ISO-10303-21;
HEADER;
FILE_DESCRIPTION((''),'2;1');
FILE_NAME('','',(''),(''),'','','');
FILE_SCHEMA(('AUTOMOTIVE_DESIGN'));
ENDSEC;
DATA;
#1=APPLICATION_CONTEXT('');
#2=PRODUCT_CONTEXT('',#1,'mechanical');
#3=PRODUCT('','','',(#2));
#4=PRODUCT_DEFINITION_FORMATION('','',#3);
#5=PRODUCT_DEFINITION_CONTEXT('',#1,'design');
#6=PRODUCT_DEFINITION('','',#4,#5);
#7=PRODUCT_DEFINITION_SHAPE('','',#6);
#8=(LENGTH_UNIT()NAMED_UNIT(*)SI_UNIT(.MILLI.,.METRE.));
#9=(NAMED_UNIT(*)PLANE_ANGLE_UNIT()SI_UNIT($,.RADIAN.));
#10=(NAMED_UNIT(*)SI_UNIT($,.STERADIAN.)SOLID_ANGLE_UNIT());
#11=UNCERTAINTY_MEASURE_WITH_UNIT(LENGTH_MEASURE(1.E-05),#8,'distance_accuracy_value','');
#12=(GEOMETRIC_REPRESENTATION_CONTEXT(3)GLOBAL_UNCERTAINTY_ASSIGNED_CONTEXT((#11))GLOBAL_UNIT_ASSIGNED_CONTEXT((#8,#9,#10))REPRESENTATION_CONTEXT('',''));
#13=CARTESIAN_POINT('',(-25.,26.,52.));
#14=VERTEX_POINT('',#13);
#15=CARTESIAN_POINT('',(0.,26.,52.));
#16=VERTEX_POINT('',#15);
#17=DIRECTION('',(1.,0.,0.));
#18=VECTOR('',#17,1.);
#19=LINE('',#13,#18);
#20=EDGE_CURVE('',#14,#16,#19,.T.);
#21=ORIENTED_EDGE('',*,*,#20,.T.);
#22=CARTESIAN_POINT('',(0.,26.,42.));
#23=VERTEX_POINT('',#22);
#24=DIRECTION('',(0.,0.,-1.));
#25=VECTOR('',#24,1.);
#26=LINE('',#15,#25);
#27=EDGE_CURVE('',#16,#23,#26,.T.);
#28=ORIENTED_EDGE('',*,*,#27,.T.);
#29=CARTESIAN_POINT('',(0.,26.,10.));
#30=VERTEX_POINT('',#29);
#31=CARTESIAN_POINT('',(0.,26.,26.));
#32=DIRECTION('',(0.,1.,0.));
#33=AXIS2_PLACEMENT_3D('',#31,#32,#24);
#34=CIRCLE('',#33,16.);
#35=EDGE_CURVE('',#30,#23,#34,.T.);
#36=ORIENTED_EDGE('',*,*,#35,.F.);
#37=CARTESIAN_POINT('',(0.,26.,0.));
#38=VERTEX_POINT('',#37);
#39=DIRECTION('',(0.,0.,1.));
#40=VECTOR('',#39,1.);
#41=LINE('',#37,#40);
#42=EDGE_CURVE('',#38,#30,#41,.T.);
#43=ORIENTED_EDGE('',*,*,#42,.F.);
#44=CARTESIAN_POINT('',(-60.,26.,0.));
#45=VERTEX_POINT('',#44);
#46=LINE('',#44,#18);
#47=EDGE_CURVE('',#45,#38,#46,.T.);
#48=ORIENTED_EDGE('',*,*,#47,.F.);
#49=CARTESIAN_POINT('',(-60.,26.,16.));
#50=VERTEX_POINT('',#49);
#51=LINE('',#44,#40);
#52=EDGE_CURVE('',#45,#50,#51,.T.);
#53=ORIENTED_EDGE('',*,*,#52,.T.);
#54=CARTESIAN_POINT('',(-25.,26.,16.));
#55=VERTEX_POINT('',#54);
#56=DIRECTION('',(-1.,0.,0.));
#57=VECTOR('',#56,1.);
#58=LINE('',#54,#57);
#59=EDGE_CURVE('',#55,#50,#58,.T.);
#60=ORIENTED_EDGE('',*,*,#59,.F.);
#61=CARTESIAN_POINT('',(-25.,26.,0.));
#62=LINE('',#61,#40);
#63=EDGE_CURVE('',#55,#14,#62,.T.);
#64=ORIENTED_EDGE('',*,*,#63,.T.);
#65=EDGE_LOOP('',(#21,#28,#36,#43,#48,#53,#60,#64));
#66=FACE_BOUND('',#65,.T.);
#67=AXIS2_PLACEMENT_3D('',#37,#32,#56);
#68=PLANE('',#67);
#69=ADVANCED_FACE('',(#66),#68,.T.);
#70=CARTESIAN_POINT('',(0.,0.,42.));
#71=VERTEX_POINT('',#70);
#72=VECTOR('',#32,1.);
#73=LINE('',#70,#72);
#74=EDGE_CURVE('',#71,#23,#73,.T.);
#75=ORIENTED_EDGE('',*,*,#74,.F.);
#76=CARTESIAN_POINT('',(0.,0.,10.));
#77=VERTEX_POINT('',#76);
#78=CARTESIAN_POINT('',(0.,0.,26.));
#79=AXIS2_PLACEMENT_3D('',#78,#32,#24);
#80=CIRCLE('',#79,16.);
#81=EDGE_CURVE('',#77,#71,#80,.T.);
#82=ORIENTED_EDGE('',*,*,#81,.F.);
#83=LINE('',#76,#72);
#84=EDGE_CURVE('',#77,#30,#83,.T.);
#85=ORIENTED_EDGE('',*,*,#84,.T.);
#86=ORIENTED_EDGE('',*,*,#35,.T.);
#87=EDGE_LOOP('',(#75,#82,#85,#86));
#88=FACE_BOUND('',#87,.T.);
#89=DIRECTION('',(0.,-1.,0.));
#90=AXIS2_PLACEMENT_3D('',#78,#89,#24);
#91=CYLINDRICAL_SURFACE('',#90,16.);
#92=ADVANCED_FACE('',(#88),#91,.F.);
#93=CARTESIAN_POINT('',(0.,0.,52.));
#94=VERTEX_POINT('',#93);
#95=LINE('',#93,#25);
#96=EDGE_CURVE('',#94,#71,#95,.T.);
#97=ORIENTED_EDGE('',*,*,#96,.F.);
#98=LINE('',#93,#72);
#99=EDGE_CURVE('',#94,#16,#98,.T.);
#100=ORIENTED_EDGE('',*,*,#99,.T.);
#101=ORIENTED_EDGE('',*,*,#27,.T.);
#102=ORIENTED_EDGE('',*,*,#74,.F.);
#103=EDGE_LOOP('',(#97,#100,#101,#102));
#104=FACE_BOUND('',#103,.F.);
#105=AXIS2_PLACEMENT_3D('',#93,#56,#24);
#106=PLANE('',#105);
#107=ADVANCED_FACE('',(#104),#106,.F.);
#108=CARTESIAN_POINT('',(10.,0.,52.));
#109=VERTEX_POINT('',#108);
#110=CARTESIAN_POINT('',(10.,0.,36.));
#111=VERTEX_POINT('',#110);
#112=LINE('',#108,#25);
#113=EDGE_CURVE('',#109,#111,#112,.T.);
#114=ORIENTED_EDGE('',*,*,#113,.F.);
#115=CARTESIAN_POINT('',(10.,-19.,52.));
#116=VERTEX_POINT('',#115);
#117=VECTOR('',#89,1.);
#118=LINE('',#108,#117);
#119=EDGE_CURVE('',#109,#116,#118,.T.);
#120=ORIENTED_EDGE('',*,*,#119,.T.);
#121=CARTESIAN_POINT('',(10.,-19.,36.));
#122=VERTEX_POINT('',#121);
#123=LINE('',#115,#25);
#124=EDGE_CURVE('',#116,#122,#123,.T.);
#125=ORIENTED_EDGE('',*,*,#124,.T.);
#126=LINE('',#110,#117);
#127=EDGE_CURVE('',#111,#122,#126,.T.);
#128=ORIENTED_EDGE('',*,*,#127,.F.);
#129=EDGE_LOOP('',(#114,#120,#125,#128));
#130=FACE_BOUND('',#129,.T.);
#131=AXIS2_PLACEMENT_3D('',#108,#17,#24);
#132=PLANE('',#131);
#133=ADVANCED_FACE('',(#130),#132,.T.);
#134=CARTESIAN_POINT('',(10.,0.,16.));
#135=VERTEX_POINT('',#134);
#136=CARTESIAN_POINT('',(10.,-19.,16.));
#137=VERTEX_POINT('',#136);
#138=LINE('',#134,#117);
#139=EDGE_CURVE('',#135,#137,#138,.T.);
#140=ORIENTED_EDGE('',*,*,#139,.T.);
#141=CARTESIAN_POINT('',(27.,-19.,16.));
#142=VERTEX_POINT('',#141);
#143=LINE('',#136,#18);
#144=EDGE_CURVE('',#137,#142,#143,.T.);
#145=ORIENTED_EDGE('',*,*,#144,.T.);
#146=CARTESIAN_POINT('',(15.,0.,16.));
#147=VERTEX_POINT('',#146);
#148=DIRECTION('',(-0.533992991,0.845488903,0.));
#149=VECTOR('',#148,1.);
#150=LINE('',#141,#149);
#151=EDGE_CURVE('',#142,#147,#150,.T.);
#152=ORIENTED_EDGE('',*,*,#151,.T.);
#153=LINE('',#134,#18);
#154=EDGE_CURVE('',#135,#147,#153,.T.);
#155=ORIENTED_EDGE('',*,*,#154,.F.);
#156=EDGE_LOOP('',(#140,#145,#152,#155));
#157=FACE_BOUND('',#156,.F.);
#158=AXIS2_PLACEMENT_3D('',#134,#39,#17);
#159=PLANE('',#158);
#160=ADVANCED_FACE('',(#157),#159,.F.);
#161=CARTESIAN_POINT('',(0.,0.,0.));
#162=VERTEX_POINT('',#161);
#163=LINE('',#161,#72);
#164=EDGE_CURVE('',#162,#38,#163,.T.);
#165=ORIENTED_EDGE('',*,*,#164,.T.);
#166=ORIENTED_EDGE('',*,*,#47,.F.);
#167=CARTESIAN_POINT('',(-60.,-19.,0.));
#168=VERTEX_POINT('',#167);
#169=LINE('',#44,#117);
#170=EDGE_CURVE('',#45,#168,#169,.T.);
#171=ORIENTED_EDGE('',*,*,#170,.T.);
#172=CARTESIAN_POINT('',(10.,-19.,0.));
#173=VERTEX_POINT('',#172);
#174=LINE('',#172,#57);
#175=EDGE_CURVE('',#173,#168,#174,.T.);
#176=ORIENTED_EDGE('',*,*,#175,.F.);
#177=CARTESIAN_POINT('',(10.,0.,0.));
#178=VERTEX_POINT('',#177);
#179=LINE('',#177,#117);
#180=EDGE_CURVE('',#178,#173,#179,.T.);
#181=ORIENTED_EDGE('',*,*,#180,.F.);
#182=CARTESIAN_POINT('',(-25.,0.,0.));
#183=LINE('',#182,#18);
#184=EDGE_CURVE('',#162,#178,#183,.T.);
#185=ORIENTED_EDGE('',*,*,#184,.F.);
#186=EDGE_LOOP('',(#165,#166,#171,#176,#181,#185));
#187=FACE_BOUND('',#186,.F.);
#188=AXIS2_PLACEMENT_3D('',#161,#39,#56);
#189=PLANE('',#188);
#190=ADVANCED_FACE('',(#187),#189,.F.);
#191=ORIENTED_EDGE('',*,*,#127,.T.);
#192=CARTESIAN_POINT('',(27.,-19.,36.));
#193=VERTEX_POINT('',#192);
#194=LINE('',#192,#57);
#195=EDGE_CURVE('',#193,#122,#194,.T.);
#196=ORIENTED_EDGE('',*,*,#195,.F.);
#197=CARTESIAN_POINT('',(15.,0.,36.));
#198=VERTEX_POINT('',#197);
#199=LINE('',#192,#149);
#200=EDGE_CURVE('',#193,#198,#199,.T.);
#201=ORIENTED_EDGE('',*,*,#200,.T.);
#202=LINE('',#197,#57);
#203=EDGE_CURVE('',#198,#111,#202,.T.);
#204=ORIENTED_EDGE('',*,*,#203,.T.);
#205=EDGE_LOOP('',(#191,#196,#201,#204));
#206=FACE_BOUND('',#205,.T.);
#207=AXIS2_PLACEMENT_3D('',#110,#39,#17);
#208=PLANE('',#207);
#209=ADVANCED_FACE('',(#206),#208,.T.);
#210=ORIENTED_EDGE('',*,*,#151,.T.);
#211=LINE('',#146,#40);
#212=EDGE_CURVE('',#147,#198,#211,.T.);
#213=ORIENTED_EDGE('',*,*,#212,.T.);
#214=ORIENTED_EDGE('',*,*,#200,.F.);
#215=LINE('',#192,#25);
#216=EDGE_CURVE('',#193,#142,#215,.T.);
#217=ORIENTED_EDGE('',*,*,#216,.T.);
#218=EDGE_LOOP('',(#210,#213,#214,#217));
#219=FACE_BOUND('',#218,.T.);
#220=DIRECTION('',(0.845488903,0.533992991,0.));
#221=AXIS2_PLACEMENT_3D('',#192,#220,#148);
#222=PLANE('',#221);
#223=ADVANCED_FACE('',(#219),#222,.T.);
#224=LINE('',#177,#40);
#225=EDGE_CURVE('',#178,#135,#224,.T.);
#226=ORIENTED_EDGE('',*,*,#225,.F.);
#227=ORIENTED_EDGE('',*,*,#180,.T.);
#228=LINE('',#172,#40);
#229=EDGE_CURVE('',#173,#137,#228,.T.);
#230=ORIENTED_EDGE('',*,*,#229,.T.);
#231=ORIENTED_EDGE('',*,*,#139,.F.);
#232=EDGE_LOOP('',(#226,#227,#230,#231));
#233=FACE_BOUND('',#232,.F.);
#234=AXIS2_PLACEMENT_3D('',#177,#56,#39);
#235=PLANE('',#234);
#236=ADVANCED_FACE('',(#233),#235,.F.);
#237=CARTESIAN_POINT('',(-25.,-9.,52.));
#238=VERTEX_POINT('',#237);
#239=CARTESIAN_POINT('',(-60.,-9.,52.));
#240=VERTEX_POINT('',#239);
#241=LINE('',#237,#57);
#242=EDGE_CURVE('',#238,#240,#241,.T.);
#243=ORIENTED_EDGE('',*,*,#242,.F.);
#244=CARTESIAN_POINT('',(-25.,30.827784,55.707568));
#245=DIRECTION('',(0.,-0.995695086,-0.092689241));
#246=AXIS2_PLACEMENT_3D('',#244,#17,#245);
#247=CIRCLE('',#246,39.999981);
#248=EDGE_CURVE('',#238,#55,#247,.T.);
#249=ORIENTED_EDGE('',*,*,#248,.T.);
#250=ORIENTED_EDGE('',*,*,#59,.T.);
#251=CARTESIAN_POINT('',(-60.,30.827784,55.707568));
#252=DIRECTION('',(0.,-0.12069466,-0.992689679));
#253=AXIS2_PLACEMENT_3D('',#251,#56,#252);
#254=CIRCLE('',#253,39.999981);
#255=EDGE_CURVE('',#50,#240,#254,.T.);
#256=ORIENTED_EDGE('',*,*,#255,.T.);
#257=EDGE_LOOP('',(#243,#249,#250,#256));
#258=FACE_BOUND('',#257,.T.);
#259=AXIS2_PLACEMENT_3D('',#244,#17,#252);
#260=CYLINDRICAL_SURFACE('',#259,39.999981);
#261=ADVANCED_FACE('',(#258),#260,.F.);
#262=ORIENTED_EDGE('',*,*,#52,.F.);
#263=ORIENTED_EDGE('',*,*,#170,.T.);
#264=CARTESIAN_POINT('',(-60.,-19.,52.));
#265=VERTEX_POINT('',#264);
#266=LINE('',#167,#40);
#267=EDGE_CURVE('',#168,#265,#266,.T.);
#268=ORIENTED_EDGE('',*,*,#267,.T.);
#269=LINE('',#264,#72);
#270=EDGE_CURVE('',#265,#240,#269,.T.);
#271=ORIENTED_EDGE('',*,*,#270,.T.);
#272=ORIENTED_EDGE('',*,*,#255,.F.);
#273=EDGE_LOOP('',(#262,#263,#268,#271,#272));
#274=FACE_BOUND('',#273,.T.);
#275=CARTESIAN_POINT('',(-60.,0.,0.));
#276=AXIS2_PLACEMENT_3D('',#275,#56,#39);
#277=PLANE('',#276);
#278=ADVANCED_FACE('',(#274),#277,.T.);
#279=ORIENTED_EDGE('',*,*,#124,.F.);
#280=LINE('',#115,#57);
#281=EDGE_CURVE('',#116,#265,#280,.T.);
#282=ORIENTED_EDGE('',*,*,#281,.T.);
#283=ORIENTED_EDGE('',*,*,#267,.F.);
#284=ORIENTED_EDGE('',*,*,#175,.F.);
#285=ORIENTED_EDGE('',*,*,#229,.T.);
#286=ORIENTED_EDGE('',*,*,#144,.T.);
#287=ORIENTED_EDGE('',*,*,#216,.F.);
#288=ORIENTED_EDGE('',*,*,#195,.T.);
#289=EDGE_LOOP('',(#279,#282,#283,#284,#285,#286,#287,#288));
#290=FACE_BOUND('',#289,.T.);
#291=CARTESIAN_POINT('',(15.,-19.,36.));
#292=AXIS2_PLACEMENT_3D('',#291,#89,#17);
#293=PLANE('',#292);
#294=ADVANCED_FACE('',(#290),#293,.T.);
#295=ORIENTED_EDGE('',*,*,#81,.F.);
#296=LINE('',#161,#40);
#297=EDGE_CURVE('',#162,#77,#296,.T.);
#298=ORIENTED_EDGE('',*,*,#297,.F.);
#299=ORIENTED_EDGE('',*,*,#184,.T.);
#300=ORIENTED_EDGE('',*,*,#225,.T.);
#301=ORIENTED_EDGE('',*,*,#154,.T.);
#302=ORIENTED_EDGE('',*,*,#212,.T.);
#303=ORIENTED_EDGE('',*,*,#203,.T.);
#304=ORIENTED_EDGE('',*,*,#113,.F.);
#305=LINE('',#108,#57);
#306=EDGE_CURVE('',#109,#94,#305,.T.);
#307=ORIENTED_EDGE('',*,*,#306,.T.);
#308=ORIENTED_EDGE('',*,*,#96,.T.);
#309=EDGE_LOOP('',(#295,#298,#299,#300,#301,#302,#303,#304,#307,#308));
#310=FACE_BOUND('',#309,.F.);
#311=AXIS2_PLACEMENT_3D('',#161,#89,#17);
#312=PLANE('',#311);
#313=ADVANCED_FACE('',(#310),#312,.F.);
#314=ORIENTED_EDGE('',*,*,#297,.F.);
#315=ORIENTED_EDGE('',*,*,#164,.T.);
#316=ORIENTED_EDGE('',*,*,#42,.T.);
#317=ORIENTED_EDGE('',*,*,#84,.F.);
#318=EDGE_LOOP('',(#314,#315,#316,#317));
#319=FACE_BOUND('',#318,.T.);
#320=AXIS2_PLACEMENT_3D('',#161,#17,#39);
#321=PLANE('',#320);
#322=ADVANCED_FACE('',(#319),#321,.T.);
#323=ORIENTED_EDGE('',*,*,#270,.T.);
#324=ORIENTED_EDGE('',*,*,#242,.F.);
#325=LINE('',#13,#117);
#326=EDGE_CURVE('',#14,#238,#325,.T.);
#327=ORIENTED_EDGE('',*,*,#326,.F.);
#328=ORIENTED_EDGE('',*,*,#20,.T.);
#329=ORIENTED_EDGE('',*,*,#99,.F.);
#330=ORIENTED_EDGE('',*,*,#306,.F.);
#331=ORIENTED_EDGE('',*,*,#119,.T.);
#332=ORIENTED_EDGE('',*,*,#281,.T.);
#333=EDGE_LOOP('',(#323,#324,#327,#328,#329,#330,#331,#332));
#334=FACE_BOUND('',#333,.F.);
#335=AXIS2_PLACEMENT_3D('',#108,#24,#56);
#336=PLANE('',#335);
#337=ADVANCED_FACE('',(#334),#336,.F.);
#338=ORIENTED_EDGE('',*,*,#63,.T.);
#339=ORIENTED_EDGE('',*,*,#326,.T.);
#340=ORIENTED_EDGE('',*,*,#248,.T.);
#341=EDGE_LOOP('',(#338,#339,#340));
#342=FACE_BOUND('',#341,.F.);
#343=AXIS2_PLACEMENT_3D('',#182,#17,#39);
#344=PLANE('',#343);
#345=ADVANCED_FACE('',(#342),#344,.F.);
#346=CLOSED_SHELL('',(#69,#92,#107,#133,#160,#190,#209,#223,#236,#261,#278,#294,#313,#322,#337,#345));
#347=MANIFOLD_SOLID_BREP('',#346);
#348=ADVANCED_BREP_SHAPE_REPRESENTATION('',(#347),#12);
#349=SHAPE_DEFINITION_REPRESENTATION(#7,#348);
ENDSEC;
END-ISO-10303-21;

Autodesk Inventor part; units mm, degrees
ref_plane "YZ Plane" through (0, 0, 0) normal (1, 0, 0) x (0, 1, 0)
ref_plane "XZ Plane" through (0, 0, 0) normal (0, 1, 0) x (-1, 0, 0)
ref_plane "XY Plane" through (0, 0, 0) normal (0, 0, 1) x (1, 0, 0)
sketch "Sketch1" plane through (0, 0, 0) normal (0, 1, 0) x (-1, 0, 0)
  line L0 (0, 0) -> (25, 0)
  line L1 (25, 0) -> (25, 52)
  line L2 (25, 52) -> (0, 52)
  line L3 (0, 52) -> (0, 42)
  line L4 (0, 0) -> (0, 10)
  arc A0 (0, 10) -> (0, 42) centre (0, 26) ccw
  dimension "d0" = 25
  dimension "d1" = 52
  dimension "d3" = 10
  dimension "d4" = 10
  dimension "d5" = 16
extrude "Extrusion1" add sketch "Sketch1" along normal blind 26
sketch "Sketch2" plane through (-25, 0, 0) normal (-1, 0, 0) x (0, 0, 1)
  line L0 (0, 26) -> (0, -19)
  line L1 (0, -19) -> (52, -19)
  line L2 (52, -19) -> (52, -9)
  line L3 (0, 26) -> (16, 26)
  line L4 (0, 26) -> (52, 26) projected
  arc A0 (16, 26) -> (52, -9) centre (55.7076, 30.8278) ccw
  point P0 (0, 0)
  dimension "d8" = 45
  dimension "d9" = 52
  dimension "d10" = 90
  dimension "d11" = 10
  dimension "d12" = 90
  dimension "d13" = 16
  dimension "d17" = 40
extrude "Extrusion2" add sketch "Sketch2" along normal blind 35
sketch "Sketch3" plane through (0, 0, 0) normal (0, -1, 0) x (1, 0, 0)
  line L0 (-25, 0) -> (-25, 30.2194) projected
  line L1 (-25, 0) -> (10, 0)
  line L2 (10, 52) -> (-25, 52)
  line L3 (-25, 52) -> (-25, 0)
  line L4 (10, 0) -> (10, 16)
  line L5 (10, 52) -> (10, 36)
  line L6 (10, 16) -> (15, 16)
  line L7 (15, 16) -> (15, 36)
  line L8 (15, 36) -> (10, 36)
  line L9 (10, 36) -> (10, 16)
  point P0 (0, 0)
  point P1 (10, 36)
  dimension "d18" = 35
  dimension "d19" = 16
  dimension "d20" = 16
  dimension "d21" = 5
  dimension "d27" = 35
extrude "Extrusion3" add sketch "Sketch3" along normal blind 19
sketch "Sketch4" plane through (10, 0, 36) normal (0, 0, 1) x (1, 0, 0)
  line L0 (5, 0) -> (5, -19) projected
  line L1 (5, -19) -> (17, -19)
  line L2 (17, -19) -> (5, 0)
  line L3 (5, 0) -> (5, -19)
  point P0 (-10, 0)
  dimension "d24" = 12
extrude "Extrusion4" add sketch "Sketch4" against normal blind 20
equation "\"d20\" = d19"
equation "\"d27\" = d18"
